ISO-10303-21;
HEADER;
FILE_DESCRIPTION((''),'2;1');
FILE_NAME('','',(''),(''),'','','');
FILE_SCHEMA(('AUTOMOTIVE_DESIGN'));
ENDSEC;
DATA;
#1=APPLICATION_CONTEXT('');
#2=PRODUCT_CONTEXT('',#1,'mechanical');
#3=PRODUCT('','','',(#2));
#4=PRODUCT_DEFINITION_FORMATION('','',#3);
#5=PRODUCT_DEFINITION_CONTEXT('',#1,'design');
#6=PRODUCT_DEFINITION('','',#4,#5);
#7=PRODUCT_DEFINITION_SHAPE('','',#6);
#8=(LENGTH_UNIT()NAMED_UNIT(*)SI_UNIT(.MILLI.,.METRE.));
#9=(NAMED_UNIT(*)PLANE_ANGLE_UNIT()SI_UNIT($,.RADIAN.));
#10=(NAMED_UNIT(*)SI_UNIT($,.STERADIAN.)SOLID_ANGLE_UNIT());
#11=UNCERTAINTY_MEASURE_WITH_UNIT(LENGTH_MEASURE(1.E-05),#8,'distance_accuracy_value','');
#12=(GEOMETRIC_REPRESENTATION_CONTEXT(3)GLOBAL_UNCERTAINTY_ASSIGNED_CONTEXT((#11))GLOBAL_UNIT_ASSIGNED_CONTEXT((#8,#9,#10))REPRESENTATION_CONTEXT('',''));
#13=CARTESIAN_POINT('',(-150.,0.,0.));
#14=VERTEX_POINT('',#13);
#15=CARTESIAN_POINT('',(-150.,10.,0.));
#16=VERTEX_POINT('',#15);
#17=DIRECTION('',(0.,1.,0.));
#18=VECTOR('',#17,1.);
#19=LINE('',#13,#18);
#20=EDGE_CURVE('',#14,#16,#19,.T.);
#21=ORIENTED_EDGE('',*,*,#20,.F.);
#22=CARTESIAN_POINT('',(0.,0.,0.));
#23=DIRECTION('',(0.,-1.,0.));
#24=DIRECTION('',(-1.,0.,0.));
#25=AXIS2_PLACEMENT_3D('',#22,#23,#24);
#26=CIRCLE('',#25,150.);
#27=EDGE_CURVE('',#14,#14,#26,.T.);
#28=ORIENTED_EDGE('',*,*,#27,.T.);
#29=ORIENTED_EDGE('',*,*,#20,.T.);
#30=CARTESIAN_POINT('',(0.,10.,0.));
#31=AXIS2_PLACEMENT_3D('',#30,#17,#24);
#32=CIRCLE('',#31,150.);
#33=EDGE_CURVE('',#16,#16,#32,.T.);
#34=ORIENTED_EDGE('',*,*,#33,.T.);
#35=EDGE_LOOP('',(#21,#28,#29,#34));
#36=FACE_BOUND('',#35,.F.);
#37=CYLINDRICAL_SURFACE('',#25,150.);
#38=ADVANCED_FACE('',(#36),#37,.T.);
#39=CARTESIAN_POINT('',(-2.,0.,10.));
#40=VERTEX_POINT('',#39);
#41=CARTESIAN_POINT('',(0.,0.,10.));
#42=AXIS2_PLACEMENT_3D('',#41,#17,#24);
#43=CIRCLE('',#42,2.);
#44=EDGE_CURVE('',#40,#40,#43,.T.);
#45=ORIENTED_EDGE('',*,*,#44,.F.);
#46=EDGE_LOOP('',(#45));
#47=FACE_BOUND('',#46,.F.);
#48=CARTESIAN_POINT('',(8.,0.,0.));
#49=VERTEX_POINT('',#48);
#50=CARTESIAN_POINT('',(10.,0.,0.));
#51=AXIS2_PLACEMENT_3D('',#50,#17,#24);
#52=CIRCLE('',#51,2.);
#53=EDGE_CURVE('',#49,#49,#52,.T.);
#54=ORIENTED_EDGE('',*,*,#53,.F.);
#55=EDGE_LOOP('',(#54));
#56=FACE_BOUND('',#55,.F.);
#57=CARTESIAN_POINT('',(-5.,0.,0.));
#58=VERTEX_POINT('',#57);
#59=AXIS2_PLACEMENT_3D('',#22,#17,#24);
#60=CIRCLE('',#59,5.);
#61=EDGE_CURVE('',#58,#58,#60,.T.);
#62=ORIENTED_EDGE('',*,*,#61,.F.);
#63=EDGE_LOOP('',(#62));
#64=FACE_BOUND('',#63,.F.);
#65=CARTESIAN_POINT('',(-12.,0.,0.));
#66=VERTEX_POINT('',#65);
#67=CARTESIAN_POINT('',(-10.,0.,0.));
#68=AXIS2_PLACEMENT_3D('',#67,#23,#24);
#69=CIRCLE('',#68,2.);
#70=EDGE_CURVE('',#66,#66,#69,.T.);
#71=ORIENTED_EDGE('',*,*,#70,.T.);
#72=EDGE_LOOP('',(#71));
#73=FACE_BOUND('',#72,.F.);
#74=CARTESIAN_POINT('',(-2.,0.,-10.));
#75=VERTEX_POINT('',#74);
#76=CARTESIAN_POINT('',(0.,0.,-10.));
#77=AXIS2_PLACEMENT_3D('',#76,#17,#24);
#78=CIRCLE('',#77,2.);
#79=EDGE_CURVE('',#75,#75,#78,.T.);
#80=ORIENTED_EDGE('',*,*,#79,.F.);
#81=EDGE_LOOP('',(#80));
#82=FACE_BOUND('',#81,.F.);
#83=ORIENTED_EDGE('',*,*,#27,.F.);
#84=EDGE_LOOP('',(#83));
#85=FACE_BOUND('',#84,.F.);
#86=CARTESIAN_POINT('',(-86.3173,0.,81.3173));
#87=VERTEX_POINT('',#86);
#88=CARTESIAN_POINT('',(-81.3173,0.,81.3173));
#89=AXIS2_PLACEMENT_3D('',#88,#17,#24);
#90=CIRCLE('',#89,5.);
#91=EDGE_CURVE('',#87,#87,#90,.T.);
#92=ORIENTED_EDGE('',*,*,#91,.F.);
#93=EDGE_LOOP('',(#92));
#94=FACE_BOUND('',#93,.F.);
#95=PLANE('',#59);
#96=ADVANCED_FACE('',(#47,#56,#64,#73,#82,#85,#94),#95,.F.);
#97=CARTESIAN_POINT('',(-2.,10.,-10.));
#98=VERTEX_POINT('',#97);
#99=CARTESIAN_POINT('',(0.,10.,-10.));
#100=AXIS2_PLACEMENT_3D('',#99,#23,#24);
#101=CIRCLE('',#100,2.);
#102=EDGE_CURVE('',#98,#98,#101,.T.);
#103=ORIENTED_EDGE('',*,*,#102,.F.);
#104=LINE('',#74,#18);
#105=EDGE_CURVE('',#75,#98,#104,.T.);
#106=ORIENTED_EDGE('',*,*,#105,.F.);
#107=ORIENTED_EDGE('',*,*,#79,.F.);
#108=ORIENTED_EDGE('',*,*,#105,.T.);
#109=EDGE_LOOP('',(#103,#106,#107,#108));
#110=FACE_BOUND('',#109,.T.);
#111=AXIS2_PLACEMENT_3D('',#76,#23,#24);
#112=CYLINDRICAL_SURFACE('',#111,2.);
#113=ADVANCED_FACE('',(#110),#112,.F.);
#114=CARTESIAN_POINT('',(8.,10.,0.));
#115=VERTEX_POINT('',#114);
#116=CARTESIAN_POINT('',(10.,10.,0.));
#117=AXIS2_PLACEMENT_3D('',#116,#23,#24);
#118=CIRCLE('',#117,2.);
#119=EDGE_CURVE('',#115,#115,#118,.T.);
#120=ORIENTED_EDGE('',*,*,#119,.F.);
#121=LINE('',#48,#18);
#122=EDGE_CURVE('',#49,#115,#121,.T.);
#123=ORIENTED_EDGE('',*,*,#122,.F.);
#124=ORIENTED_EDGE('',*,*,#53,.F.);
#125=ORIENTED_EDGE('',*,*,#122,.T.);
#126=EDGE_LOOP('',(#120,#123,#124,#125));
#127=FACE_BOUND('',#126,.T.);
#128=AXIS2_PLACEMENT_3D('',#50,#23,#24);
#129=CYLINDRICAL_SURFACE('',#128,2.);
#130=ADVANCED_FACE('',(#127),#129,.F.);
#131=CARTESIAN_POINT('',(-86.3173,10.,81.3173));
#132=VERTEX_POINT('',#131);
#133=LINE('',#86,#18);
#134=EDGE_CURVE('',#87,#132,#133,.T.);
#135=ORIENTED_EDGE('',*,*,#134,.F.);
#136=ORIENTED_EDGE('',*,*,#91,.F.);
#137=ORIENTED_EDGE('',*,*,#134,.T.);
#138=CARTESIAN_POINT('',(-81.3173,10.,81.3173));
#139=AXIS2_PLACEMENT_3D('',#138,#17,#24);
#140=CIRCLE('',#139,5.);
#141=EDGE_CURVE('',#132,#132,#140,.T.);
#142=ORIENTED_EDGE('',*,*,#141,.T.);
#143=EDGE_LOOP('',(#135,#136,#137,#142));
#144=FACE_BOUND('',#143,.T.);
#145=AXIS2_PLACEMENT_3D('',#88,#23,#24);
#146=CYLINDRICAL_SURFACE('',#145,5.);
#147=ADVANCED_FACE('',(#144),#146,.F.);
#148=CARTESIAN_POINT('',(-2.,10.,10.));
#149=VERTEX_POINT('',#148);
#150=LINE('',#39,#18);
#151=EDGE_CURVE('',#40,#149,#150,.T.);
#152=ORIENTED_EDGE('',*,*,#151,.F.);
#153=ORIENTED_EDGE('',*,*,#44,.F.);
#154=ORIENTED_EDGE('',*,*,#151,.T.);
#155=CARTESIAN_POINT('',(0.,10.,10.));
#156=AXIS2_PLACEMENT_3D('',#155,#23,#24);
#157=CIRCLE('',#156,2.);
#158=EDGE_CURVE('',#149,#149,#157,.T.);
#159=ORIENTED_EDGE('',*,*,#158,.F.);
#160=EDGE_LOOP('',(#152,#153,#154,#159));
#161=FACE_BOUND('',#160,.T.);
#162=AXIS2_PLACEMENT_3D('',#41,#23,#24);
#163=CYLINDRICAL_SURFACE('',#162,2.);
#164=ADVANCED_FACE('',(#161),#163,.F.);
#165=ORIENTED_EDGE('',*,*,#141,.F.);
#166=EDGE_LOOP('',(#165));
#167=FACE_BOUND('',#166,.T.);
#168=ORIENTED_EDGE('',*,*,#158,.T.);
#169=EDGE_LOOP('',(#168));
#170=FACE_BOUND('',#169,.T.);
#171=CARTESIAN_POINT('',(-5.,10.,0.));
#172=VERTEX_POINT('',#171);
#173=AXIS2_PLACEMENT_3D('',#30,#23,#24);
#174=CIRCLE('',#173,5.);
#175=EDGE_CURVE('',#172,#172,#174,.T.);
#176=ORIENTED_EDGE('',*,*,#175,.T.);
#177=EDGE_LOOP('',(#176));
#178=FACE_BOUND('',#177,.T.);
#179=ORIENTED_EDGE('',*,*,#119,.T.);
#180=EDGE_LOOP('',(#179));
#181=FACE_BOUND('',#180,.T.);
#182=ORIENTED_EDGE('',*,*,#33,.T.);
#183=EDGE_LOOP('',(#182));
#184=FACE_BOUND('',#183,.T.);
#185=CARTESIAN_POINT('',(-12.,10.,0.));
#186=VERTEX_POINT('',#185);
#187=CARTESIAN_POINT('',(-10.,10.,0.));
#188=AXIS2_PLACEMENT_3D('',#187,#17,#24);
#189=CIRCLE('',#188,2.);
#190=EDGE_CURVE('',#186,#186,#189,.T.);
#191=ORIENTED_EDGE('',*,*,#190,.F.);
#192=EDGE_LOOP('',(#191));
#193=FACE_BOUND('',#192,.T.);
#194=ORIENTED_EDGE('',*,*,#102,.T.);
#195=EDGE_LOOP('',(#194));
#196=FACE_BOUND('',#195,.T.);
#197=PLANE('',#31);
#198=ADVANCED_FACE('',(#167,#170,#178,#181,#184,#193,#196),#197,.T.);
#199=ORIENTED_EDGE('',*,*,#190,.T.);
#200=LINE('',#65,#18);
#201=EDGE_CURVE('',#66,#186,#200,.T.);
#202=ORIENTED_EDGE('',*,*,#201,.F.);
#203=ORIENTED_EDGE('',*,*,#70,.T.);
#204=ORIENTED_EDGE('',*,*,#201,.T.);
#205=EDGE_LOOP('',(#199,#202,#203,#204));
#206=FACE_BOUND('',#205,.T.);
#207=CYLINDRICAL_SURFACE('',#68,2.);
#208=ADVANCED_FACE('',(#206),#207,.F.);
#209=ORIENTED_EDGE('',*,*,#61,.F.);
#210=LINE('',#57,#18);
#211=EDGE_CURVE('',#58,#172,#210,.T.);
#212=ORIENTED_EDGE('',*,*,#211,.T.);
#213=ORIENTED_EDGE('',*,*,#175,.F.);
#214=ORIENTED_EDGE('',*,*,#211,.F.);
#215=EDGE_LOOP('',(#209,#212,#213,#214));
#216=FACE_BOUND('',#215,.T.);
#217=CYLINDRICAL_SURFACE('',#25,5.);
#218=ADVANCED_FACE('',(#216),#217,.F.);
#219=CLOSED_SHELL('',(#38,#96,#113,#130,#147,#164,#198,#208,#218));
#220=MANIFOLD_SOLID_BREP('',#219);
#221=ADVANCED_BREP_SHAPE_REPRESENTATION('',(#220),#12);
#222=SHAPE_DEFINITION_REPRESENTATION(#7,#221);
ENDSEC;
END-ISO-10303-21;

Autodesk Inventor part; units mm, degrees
ref_plane "YZ Plane" through (0, 0, 0) normal (1, 0, 0) x (0, 1, 0)
ref_plane "XZ Plane" through (0, 0, 0) normal (0, 1, 0) x (-1, 0, 0)
ref_plane "XY Plane" through (0, 0, 0) normal (0, 0, 1) x (1, 0, 0)
sketch "Block1" plane through (0, 0, 0) normal (0, 0, 1) x (1, 0, 0)
  circle A0 centre (0, 0) radius 150.22
  circle A1 centre (0, 0) radius 5.22
  circle A2 centre (-0.0076, 30) radius 2.22
  circle A3 centre (30, 0.0076) radius 2.22
  circle A4 centre (0.0076, -30) radius 2.22
  circle A5 centre (-30, -0.0076) radius 2.22
  circle A6 centre (-81.3173, -81.3173) radius 5.22
  point P0 (-11.6168, -11.6168)
sketch "Block2" plane through (0, 0, 0) normal (0, 0, 1) x (1, 0, 0)
  circle A0 centre (0, 0) radius 150.22
  circle A1 centre (-81.3173, 81.3173) radius 5.22
  circle A2 centre (0, 10) radius 2.22
  circle A3 centre (-10, 0) radius 2.22
  circle A4 centre (0, 0) radius 5.22
  circle A5 centre (10, 0) radius 2.22
  circle A6 centre (0, -10) radius 2.22
  point P0 (-11.6168, 11.6168)
sketch "Sketch1" plane through (0, 0, 0) normal (0, 1, 0) x (-1, 0, 0)
  circle A0 centre (0, 0) radius 150
  circle A1 centre (0, 0) radius 5
  circle A2 centre (81.3173, 81.3173) radius 5
  line L0 (210.308, 0) -> (-210.308, 0) projected
  line L1 (0, -210.308) -> (0, 210.308) projected
  circle A3 centre (0, 10) radius 2
  circle A4 centre (-10, 0) radius 2
  circle A5 centre (0, -10) radius 2
  circle A6 centre (10, 0) radius 2
  dimension "d12" = 360
  dimension "d0" = 300
  dimension "d1" = 10
  dimension "d2" = 10
  dimension "d7" = 105
  dimension "d9" = 4
  dimension "d18" = 10
ref_plane "Work Plane1" through (0, 10, 0) normal (0, 1, 0) x (1, 0, 0)
extrude "Extrusion4" add sketch "Sketch1" along normal blind 10 contours L0 A6 A1 L1 A3 A0 | A0 L1 A5 A1 L0 A6 | L1 A3 A1 L0 A4 A0 | A0 L0 A4 A1 L1 A5
sketch "Sketch4" plane through (0, 0, 0) normal (0, -1, 0) x (1, 0, 0)
  circle A0 centre (-81.3173, 81.3173) radius 5 projected
  circle A1 centre (0, 0) radius 5 projected
  circle A2 centre (-10, 0) radius 2 projected
  circle A3 centre (0, -10) radius 2 projected
  circle A4 centre (10, 0) radius 2 projected
  circle A5 centre (0, 10) radius 2 projected
  circle A6 centre (0, 0) radius 150 projected
sketch "DXF" plane through (0, 0, 0) normal (0, 1, 0) x (-1, 0, 0)
  point P0 (0, 0)
equation "\"d0\" = pD"
equation "\"d7\" = 0.35 * pD"
equation "\"pD\" = 300"
properties part number "mainpulley"
